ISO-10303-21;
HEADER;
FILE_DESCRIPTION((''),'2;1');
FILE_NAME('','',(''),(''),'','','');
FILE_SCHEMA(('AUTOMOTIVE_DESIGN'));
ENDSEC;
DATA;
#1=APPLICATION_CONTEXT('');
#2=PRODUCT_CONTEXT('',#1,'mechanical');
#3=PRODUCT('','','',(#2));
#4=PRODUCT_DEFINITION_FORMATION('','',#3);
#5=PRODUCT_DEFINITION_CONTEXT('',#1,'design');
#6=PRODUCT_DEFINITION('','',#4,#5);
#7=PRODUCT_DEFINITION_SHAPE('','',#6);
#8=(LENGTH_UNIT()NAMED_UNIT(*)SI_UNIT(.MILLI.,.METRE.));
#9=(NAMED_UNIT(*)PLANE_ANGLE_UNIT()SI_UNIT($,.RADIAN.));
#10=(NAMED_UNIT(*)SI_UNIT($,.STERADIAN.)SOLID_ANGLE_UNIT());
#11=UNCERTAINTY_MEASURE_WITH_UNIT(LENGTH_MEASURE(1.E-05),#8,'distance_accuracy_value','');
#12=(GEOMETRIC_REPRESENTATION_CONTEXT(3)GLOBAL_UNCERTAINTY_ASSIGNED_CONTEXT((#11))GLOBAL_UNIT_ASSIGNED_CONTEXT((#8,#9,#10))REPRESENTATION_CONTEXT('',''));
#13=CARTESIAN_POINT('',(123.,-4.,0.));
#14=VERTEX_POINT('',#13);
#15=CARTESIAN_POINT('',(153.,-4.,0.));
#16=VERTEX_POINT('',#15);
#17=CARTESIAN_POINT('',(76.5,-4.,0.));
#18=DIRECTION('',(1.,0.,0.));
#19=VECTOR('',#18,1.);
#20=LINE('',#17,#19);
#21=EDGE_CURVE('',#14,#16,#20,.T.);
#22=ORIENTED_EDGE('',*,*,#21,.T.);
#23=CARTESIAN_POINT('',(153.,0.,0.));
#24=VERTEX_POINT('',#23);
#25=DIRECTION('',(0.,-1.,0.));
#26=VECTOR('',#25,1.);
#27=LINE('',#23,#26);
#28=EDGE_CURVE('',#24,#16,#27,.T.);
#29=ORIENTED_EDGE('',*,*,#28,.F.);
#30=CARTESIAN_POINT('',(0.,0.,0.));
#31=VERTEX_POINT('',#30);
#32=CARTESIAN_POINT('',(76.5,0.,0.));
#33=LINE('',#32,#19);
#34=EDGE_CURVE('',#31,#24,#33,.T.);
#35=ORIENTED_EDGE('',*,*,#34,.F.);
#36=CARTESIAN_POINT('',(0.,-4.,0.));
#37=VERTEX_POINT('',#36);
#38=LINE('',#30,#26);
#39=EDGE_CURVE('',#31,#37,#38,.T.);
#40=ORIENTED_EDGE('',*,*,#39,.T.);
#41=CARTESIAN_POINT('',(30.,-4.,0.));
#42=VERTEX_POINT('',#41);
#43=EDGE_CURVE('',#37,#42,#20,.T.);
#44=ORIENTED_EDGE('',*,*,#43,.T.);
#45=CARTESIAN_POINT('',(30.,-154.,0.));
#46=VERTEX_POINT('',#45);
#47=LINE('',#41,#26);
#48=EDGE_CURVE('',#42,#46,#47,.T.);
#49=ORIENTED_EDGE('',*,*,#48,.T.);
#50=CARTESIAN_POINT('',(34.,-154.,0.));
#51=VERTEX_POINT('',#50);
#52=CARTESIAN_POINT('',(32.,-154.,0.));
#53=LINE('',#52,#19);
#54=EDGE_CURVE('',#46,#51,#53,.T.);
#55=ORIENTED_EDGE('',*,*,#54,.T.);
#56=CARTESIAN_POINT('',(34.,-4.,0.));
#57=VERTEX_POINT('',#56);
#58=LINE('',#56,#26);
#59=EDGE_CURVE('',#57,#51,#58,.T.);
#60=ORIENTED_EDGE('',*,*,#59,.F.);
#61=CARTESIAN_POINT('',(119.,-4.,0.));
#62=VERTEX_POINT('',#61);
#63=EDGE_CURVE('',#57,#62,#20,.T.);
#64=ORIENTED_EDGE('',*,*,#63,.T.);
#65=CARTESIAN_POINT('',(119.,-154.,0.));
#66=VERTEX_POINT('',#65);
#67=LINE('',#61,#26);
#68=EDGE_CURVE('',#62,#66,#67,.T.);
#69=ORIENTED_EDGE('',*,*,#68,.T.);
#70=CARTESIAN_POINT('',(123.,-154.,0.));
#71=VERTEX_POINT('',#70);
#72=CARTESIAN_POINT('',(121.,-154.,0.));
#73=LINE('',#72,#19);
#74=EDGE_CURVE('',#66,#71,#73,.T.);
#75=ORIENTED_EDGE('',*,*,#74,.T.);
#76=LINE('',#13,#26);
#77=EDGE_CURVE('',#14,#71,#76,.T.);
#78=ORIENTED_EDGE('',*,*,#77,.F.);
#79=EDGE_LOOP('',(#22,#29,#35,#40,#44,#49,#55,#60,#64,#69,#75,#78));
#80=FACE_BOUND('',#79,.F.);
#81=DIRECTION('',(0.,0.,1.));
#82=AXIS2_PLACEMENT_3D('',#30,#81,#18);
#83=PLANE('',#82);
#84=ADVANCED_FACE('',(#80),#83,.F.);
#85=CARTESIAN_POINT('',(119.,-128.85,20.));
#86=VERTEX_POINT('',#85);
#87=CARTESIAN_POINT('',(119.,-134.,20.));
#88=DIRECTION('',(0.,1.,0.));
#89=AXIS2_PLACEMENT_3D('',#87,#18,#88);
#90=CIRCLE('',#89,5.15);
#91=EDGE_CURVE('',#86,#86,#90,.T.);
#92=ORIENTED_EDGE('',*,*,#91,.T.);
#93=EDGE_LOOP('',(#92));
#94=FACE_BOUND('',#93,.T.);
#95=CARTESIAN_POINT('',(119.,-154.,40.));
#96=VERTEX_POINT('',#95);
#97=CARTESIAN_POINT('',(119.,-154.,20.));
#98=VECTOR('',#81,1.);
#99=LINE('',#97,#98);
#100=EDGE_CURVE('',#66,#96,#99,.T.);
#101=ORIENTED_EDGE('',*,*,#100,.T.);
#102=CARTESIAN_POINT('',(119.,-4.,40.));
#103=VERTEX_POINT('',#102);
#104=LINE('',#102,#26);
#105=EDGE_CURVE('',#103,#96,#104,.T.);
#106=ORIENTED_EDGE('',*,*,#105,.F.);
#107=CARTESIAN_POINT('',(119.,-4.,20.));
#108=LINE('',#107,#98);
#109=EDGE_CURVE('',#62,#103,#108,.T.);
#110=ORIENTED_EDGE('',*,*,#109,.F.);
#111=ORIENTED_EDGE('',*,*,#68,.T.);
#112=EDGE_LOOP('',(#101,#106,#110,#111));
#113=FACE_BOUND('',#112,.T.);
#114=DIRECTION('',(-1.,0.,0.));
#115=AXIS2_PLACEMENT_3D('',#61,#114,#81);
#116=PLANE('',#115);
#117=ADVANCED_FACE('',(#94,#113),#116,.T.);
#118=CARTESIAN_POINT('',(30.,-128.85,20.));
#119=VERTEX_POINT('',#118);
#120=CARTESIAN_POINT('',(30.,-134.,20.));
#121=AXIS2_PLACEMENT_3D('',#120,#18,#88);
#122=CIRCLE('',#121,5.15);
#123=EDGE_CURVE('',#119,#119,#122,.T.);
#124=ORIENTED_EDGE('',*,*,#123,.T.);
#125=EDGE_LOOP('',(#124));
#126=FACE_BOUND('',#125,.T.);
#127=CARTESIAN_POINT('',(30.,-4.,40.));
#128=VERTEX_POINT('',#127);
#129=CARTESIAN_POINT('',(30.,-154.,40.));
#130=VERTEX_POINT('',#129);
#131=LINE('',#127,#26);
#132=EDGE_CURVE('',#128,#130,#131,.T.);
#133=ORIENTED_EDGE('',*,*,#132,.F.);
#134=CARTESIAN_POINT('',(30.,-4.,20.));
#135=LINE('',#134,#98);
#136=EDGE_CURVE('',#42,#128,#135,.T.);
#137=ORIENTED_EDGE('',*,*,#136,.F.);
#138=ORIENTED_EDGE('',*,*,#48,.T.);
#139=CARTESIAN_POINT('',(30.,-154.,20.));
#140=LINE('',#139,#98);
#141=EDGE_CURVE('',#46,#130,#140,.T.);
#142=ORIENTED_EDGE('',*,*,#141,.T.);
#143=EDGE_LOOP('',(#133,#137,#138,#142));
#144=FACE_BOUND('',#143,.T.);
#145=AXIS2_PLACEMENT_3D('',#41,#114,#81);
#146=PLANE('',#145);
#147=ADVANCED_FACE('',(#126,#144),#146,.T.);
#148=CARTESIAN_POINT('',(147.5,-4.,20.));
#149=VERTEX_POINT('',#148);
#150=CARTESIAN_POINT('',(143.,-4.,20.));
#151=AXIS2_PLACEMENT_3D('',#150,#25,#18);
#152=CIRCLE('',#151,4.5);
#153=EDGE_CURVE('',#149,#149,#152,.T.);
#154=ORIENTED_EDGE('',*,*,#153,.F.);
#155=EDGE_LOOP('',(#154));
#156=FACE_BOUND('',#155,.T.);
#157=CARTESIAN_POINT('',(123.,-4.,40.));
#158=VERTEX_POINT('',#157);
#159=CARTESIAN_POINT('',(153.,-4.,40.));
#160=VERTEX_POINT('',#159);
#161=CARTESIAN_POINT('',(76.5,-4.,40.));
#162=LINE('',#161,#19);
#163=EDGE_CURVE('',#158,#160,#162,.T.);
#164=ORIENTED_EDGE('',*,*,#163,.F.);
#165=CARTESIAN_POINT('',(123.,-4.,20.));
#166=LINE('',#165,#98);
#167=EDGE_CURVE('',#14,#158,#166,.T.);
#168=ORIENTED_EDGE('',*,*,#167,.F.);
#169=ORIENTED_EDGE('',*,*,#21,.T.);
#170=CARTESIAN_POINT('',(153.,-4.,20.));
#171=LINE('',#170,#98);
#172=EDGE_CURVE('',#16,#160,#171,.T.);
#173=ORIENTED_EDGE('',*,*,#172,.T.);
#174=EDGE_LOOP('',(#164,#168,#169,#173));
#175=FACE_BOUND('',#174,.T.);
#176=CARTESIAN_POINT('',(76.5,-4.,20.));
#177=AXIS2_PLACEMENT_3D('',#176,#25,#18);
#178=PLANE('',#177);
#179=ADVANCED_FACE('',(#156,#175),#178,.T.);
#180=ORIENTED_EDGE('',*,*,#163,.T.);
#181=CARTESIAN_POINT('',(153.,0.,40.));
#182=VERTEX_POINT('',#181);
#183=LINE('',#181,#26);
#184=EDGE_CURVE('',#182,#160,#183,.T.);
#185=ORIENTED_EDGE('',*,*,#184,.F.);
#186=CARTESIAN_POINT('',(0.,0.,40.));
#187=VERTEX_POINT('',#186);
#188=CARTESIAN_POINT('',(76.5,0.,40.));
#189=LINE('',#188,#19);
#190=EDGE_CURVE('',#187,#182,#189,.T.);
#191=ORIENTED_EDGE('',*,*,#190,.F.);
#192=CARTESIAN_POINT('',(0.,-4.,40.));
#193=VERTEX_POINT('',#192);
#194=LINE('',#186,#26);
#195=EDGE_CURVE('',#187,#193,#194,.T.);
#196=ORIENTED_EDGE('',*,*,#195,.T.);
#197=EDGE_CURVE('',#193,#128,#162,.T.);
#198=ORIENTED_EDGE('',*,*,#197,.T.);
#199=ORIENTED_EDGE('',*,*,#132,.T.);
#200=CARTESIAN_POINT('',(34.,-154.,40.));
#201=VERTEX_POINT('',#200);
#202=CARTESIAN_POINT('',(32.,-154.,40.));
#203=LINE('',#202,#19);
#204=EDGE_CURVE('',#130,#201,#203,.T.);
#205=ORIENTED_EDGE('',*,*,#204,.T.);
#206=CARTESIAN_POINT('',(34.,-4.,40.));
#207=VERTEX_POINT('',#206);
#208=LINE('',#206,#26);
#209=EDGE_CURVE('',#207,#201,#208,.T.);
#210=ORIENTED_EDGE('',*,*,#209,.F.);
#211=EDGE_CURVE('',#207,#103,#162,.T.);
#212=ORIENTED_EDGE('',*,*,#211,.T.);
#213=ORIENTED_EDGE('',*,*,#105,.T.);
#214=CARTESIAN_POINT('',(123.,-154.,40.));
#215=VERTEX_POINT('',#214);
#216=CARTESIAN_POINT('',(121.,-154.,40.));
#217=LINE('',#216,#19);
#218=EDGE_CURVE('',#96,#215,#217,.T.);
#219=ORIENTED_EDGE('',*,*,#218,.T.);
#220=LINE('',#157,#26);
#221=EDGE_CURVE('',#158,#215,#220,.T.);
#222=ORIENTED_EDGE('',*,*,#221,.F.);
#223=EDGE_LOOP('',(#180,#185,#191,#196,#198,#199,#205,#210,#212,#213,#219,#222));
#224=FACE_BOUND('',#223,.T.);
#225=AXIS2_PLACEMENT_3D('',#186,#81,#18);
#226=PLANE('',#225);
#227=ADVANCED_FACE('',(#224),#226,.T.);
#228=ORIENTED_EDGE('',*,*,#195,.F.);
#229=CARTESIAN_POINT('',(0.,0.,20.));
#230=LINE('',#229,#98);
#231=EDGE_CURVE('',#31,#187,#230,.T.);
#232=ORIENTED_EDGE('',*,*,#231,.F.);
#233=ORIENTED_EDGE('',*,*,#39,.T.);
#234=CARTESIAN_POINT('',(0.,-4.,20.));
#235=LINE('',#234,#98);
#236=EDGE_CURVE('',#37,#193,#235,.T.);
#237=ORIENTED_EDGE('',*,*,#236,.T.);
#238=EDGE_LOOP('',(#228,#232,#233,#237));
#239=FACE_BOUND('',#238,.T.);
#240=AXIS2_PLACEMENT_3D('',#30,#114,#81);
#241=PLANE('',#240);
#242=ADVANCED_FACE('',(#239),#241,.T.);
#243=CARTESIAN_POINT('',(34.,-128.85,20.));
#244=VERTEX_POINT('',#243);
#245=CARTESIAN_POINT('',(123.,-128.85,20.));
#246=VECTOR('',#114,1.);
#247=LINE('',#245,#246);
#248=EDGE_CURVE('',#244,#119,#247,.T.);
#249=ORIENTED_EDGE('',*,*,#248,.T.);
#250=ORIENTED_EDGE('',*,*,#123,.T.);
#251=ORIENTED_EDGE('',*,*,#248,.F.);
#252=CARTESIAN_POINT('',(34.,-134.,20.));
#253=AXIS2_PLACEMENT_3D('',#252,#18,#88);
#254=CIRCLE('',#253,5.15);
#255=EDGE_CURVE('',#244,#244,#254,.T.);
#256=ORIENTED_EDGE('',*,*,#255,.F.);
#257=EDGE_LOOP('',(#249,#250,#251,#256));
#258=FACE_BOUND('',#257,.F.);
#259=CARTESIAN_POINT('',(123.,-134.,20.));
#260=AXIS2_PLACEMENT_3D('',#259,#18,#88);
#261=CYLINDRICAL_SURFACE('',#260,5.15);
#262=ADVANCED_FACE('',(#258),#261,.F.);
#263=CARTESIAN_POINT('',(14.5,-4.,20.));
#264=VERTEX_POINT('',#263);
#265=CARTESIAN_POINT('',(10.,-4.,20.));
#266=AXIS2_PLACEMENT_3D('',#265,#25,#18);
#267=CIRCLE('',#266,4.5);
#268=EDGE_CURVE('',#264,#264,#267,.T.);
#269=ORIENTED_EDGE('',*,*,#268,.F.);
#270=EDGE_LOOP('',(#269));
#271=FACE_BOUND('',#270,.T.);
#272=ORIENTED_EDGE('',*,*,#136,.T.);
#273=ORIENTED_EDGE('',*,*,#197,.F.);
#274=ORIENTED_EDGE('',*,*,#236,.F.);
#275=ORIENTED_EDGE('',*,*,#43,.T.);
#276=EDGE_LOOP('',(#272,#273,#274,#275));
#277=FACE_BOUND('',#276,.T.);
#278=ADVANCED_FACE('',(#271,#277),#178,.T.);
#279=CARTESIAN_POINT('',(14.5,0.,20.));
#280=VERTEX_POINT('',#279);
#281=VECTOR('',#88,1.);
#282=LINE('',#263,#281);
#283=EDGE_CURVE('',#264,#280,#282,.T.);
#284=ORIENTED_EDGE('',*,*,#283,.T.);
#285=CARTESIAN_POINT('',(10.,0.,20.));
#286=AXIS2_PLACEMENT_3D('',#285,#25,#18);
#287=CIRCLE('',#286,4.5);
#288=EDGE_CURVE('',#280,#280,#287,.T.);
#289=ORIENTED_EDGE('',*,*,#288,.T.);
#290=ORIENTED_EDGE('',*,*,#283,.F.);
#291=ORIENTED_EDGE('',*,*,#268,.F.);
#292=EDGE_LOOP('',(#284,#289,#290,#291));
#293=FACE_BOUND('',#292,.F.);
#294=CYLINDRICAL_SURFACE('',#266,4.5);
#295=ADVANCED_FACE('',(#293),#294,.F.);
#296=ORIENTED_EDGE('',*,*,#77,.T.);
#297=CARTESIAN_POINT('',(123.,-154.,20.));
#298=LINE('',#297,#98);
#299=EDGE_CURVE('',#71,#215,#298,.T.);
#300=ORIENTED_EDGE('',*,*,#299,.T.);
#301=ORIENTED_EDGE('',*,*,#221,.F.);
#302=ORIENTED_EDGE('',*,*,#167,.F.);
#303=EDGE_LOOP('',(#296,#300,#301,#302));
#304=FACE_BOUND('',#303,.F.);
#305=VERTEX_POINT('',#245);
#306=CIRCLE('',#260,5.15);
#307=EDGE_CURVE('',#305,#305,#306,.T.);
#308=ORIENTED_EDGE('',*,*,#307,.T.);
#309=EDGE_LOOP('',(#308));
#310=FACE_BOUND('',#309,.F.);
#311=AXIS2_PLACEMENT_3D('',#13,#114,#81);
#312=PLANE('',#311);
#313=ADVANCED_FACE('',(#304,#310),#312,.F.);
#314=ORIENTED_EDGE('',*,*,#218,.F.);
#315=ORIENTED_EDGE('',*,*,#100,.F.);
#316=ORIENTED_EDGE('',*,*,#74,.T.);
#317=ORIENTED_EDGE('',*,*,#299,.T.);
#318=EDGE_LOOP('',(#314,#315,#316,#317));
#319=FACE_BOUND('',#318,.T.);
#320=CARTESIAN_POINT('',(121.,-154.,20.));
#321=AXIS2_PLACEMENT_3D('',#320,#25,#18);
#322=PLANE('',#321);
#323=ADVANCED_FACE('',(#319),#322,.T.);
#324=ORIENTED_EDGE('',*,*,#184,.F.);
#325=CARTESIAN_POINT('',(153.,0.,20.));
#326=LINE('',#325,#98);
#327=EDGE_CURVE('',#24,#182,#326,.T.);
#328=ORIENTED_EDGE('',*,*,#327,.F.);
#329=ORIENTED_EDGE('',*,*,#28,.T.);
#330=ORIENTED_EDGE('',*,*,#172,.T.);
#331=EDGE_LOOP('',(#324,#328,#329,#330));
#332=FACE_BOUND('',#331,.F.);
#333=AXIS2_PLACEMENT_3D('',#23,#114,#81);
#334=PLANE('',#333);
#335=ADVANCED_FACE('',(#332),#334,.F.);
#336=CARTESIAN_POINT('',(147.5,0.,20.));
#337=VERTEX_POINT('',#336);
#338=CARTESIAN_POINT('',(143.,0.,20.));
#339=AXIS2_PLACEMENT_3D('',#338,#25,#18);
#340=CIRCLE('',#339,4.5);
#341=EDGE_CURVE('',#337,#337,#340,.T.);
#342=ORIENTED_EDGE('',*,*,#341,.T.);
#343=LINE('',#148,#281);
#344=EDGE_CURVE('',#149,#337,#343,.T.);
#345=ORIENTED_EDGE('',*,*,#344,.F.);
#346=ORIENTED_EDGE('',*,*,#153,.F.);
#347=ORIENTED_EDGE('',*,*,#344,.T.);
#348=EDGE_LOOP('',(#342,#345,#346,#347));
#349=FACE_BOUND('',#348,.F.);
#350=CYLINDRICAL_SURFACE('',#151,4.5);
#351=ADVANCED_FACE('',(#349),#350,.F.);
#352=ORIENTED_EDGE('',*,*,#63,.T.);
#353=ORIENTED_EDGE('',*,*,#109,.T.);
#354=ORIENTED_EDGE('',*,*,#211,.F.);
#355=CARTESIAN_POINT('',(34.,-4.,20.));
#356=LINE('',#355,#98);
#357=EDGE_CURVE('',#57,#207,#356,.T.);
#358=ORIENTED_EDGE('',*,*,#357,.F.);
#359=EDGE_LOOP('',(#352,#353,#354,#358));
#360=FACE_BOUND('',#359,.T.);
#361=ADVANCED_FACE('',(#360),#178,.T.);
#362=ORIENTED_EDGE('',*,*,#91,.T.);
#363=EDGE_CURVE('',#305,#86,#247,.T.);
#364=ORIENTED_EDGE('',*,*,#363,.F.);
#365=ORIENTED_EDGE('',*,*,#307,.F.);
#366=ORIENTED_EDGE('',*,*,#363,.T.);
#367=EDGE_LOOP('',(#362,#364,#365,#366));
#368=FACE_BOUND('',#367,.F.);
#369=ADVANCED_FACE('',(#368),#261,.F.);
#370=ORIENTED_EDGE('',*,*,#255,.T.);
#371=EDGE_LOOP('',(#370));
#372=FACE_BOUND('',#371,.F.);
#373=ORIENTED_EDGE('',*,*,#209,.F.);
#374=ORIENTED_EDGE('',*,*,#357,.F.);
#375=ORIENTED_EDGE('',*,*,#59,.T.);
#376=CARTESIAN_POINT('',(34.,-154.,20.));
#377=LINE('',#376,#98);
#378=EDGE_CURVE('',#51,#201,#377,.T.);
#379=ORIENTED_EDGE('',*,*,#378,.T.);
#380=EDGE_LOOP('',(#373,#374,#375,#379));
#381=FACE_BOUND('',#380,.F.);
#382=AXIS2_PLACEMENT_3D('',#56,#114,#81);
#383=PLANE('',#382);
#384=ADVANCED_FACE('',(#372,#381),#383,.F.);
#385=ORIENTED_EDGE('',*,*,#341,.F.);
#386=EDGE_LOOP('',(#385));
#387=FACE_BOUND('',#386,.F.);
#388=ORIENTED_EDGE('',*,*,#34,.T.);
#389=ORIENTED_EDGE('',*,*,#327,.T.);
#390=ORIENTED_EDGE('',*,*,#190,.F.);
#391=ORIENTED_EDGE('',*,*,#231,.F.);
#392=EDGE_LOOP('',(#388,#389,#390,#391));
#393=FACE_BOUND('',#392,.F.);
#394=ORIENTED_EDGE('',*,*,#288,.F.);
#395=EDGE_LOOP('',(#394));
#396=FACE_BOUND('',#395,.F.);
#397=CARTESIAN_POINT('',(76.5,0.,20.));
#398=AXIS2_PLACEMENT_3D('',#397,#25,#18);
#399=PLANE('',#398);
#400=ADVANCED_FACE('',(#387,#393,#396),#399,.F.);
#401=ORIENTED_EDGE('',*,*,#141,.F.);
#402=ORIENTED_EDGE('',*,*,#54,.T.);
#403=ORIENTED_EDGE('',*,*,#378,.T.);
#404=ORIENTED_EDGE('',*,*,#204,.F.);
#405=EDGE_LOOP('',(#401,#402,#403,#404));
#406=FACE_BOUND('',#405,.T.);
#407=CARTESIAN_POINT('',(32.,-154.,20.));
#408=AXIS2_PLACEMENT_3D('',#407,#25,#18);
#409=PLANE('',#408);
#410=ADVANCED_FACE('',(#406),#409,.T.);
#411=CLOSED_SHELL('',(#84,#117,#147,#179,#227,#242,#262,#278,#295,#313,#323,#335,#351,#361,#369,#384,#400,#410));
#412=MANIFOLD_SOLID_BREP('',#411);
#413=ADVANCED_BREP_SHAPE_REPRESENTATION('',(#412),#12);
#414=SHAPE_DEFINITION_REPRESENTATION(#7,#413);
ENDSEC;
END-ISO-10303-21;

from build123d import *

# Parameters (mm, degrees)
F0_W     = 153
F0_H     = 40
F1_DEPTH = 4
F2_W     = 4
F2_H     = 40
F3_DEPTH = 150
F4_R     = 4.5
F5_DEPTH = 25
F6_R     = 5.15
F7_DEPTH = 123.001


with BuildPart() as f1:
    # F0 (on Front) → F1 (new body)
    with BuildSketch(Plane.XZ):
        with Locations((76.5, 20)):
            Rectangle(F0_W, F0_H)
    extrude(amount=F1_DEPTH)

    # F2 (on face) → F3 (join)
    with BuildSketch(Plane.XZ.offset(4)):
        with Locations((32, 20)):
            Rectangle(F2_W, F2_H)
        with Locations((121, 20)):
            Rectangle(F2_W, F2_H)
    extrude(amount=F3_DEPTH)

    # F4 (on face) → F5 (cut)
    with BuildSketch(Plane.XZ.offset(4)):
        with Locations((143, 20)):
            Circle(F4_R)
        with Locations((10, 20)):
            Circle(F4_R)
    extrude(amount=-F5_DEPTH, mode=Mode.SUBTRACT)

    # F6 (on face) → F7 (cut, through all)
    with BuildSketch(Plane.YZ.offset(123)):
        with Locations((-134, 20)):
            Circle(F6_R)
    extrude(amount=-F7_DEPTH, mode=Mode.SUBTRACT)


solid = f1.part
